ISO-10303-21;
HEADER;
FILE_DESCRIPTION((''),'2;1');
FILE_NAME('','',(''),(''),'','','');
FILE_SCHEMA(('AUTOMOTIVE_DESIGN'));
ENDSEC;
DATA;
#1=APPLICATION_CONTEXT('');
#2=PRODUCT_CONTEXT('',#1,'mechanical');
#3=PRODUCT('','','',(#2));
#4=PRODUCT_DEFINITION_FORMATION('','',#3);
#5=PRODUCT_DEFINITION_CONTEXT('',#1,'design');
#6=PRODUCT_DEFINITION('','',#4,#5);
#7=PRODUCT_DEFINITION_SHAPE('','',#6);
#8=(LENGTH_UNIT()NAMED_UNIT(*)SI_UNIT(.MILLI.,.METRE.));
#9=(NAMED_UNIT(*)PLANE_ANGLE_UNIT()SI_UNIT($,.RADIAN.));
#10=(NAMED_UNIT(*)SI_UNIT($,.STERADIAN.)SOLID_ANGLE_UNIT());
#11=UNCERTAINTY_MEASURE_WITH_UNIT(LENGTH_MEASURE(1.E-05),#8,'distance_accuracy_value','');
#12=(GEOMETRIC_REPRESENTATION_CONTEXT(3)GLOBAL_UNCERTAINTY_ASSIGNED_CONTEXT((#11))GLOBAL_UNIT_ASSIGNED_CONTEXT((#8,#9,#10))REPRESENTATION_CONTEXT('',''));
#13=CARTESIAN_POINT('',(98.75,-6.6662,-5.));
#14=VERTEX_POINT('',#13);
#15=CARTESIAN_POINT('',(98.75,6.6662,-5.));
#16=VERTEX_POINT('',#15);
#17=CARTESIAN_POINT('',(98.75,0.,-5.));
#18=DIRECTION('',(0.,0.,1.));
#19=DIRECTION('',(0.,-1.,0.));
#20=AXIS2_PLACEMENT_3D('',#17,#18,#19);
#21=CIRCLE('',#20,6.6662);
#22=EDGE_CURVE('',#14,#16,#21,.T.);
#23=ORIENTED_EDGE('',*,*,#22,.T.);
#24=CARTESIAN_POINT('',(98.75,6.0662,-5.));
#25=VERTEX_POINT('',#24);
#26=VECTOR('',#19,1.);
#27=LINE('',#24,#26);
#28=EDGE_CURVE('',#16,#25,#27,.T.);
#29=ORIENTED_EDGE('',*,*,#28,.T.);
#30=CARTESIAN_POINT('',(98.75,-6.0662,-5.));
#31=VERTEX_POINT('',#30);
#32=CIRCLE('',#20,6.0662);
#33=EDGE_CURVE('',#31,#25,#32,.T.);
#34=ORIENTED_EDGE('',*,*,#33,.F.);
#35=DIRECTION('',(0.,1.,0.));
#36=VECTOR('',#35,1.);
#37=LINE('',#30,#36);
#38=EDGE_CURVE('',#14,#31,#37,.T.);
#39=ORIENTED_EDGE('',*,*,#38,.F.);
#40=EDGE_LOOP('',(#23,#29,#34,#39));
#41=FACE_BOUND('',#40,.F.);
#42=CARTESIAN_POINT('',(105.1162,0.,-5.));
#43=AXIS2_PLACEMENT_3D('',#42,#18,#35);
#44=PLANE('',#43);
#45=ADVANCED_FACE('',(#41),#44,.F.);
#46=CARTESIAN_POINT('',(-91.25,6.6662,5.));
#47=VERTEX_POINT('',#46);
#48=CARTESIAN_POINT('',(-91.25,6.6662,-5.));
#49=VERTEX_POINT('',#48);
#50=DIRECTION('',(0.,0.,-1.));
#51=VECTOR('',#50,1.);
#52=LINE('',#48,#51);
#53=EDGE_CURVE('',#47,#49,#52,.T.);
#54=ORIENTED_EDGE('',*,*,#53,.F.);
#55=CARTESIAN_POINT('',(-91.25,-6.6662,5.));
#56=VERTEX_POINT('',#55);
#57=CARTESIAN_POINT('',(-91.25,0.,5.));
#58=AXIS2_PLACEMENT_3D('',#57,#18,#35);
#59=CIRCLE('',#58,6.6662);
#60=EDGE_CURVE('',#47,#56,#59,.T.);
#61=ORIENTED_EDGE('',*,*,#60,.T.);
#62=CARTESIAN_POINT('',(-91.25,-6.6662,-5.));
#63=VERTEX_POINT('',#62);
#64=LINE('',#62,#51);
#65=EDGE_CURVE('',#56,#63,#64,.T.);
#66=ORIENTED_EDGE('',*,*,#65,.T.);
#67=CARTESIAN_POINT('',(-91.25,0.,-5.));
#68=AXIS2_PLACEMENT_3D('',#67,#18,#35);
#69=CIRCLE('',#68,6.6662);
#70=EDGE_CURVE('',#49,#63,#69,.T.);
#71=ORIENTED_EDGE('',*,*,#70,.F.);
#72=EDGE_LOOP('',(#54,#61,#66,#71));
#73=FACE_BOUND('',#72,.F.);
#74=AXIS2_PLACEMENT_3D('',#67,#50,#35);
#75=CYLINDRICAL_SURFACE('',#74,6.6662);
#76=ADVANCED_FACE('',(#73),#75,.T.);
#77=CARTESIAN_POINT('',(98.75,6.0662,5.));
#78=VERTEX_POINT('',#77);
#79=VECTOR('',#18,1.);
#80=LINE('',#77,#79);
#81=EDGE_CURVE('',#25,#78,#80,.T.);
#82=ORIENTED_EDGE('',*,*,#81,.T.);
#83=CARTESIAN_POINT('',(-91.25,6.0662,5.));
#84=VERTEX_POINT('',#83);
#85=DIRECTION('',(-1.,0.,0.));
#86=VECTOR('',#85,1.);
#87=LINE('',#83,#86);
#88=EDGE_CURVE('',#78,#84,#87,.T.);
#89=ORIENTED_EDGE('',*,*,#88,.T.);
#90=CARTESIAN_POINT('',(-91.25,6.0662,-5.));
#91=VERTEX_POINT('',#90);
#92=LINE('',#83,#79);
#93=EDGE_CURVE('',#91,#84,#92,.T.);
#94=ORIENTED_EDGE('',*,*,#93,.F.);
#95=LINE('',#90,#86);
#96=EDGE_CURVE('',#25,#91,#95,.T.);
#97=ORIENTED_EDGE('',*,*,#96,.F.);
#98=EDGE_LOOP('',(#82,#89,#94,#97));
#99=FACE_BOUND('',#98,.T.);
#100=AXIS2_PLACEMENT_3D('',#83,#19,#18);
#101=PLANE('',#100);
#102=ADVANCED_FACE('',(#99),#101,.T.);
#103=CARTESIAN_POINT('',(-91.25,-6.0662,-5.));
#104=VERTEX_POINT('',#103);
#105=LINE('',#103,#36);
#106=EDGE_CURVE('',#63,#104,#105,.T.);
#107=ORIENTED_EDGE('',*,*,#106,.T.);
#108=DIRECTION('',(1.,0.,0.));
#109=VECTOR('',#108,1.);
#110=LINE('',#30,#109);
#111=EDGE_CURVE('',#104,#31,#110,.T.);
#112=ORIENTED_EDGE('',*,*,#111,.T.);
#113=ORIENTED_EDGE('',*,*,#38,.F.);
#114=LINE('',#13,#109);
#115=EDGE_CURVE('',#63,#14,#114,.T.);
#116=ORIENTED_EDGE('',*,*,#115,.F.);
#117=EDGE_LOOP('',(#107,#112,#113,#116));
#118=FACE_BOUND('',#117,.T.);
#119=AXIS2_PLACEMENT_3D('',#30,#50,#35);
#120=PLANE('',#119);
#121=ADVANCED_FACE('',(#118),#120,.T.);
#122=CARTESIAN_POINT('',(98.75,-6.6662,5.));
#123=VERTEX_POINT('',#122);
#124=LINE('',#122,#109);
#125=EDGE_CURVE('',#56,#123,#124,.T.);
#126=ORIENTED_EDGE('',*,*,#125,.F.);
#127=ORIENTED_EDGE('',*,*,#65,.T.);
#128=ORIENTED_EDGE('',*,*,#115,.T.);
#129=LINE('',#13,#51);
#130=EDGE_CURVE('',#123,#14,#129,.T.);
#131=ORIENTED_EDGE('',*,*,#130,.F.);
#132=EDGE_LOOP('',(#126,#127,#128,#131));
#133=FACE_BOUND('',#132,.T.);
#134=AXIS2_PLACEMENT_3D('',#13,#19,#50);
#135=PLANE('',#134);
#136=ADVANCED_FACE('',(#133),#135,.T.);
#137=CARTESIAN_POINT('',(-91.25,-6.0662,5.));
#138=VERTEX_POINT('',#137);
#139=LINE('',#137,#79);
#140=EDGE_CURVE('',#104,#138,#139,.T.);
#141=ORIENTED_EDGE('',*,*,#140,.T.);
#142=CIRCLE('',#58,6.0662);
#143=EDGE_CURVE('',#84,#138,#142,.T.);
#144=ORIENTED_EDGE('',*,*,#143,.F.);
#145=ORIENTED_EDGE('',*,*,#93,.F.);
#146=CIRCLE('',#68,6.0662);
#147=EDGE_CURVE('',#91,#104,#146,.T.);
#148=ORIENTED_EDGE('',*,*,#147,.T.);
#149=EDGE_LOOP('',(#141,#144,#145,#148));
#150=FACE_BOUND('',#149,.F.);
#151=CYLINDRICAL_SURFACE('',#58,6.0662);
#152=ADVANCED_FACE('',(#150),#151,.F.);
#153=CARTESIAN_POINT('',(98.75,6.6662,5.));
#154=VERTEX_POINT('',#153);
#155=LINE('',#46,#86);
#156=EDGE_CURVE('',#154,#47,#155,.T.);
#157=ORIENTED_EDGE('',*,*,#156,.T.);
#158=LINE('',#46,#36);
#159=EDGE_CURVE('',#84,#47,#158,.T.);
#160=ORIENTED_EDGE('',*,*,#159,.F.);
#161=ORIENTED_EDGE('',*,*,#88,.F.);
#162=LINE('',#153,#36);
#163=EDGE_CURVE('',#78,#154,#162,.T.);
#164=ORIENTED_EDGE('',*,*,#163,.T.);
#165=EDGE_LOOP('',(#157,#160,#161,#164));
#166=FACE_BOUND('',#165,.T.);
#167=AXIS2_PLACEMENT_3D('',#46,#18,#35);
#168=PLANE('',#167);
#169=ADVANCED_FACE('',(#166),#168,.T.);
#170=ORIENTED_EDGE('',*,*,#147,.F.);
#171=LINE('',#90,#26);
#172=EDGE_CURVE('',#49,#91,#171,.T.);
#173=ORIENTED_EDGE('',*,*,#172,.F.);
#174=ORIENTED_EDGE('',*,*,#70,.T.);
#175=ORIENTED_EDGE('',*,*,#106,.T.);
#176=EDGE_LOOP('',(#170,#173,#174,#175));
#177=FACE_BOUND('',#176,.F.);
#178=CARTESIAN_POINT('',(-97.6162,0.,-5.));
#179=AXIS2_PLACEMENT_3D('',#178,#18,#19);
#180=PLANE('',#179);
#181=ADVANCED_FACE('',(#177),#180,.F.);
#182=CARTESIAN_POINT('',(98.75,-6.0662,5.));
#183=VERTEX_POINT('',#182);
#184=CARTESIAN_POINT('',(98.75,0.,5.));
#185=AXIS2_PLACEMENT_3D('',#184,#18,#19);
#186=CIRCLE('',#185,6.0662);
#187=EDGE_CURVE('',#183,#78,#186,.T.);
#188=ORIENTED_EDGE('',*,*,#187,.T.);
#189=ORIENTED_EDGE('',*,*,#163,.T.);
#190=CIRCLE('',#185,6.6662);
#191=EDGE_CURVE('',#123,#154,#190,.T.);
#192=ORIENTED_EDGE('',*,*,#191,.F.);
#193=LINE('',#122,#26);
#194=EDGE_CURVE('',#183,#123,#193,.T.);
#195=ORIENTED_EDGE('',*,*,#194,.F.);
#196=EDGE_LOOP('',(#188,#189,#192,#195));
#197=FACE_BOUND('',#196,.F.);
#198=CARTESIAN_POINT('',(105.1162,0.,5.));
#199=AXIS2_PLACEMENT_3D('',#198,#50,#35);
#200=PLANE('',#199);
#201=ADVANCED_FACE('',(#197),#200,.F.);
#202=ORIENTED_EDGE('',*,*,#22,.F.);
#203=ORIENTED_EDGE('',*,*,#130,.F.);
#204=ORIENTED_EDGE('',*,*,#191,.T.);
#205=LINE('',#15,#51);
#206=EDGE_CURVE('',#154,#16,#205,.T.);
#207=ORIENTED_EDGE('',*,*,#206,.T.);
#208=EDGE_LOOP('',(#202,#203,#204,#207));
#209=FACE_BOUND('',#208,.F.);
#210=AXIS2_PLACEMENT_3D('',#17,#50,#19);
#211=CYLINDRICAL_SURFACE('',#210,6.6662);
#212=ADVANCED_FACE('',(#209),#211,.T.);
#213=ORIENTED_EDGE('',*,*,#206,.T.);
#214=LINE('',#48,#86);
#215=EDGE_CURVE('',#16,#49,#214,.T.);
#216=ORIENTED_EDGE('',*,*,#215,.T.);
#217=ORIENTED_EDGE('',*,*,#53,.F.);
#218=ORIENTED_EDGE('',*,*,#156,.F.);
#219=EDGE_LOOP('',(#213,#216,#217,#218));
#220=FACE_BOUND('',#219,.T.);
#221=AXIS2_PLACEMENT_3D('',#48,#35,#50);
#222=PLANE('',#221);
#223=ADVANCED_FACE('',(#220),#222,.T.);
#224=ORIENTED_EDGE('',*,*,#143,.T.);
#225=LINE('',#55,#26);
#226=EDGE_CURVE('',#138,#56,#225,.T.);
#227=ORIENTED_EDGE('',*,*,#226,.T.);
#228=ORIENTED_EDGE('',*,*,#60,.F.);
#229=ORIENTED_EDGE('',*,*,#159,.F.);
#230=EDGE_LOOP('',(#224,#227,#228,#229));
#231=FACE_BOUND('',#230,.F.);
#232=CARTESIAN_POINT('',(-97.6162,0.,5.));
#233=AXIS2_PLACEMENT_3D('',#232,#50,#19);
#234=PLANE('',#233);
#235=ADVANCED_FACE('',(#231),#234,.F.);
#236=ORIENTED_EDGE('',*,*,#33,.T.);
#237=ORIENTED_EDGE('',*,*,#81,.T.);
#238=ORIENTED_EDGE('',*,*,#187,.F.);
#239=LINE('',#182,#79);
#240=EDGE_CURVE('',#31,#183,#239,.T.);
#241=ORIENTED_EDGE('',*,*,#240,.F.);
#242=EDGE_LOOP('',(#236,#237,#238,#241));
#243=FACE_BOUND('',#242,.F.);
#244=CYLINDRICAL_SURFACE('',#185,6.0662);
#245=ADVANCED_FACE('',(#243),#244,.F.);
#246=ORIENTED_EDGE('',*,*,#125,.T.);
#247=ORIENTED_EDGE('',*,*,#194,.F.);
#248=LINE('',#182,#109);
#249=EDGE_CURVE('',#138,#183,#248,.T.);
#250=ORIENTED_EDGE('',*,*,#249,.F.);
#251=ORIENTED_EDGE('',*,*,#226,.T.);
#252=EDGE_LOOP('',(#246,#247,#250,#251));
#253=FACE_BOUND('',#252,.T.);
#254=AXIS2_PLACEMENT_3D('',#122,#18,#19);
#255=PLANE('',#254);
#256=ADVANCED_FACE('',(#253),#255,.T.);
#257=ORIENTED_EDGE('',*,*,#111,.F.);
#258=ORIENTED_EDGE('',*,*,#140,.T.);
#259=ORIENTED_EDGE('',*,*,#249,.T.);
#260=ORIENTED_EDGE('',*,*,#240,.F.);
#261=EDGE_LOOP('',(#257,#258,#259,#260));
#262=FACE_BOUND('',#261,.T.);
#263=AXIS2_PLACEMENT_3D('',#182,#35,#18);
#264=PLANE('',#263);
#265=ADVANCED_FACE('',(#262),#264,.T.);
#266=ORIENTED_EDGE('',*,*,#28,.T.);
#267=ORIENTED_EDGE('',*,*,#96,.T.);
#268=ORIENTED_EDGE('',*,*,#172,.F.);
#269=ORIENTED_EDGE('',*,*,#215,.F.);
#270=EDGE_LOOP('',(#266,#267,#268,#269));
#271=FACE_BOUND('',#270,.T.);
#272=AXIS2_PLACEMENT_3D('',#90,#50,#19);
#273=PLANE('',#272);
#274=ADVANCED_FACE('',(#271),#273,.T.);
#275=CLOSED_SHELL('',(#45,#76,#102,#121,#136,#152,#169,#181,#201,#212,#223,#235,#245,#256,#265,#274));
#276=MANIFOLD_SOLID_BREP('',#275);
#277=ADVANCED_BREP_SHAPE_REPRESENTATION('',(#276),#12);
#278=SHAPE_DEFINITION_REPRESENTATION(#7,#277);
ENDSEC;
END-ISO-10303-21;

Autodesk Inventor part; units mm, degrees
sketch "Trayectoria de boceto" plane through (0, 0, 0) normal (0, 0, 1) x (1, 0, 0)
  arc A0 (-91.25, 6.3662) -> (-91.25, -6.3662) centre (-91.25, 0) ccw
  arc A1 (98.75, -6.3662) -> (98.75, 6.3662) centre (98.75, 0) ccw
  line L0 (98.75, -6.3662) -> (-91.25, -6.3662)
  line L1 (-91.25, 6.3662) -> (98.75, 6.3662)
ref_plane "Plano de sección transversal" through (-91.25, -6.3662, 0) normal (1, 0, 0) x (0, 0, 1)
ref_plane "Plano de trabajo2" through (-91.25, 0, 0) normal (-1, 0, 0) x (0, 0, 1)
ref_plane "Plano de trabajo3" through (98.75, 0, 0) normal (-0.9239, 0.3827, 0) x (0, 0, 1)
sketch "Sección transversal" plane through (-91.25, -6.3662, 0) normal (1, 0, 0) x (0, 0, 1)
  line L0 (-5, 0.3) -> (5, 0.3)
  line L1 (5, 0.3) -> (5, -0.3)
  line L2 (5, -0.3) -> (-5, -0.3)
  line L3 (-5, -0.3) -> (-5, 0.3)
  line L4 (-5, 0) -> (5, 0) construction
  point P0 (0, 0)
  point P1 (0, 0)
  dimension "d0" = 10
  dimension "d4" = 0.3
  dimension "d5" = 0.3
sweep "Correa" add profiles "Sección transversal" path "Trayectoria de boceto"
equation "\"d0\" = da_B"
equation "\"d4\" = da_a"
equation "\"d5\" = da_a2"
equation "\"da_B\" = 10"
equation "\"da_pb\" = 2.5"
equation "\"da_a\" = 0.3"
equation "\"da_S\" = 1.5"
equation "\"da_Beta\" = 20deg"
equation "\"da_Ht\" = 0.7"
equation "\"da_H\" = 1.3"
equation "\"da_a2\" = 0.3"
properties part number "Correa síncrona" material "Rubber"
